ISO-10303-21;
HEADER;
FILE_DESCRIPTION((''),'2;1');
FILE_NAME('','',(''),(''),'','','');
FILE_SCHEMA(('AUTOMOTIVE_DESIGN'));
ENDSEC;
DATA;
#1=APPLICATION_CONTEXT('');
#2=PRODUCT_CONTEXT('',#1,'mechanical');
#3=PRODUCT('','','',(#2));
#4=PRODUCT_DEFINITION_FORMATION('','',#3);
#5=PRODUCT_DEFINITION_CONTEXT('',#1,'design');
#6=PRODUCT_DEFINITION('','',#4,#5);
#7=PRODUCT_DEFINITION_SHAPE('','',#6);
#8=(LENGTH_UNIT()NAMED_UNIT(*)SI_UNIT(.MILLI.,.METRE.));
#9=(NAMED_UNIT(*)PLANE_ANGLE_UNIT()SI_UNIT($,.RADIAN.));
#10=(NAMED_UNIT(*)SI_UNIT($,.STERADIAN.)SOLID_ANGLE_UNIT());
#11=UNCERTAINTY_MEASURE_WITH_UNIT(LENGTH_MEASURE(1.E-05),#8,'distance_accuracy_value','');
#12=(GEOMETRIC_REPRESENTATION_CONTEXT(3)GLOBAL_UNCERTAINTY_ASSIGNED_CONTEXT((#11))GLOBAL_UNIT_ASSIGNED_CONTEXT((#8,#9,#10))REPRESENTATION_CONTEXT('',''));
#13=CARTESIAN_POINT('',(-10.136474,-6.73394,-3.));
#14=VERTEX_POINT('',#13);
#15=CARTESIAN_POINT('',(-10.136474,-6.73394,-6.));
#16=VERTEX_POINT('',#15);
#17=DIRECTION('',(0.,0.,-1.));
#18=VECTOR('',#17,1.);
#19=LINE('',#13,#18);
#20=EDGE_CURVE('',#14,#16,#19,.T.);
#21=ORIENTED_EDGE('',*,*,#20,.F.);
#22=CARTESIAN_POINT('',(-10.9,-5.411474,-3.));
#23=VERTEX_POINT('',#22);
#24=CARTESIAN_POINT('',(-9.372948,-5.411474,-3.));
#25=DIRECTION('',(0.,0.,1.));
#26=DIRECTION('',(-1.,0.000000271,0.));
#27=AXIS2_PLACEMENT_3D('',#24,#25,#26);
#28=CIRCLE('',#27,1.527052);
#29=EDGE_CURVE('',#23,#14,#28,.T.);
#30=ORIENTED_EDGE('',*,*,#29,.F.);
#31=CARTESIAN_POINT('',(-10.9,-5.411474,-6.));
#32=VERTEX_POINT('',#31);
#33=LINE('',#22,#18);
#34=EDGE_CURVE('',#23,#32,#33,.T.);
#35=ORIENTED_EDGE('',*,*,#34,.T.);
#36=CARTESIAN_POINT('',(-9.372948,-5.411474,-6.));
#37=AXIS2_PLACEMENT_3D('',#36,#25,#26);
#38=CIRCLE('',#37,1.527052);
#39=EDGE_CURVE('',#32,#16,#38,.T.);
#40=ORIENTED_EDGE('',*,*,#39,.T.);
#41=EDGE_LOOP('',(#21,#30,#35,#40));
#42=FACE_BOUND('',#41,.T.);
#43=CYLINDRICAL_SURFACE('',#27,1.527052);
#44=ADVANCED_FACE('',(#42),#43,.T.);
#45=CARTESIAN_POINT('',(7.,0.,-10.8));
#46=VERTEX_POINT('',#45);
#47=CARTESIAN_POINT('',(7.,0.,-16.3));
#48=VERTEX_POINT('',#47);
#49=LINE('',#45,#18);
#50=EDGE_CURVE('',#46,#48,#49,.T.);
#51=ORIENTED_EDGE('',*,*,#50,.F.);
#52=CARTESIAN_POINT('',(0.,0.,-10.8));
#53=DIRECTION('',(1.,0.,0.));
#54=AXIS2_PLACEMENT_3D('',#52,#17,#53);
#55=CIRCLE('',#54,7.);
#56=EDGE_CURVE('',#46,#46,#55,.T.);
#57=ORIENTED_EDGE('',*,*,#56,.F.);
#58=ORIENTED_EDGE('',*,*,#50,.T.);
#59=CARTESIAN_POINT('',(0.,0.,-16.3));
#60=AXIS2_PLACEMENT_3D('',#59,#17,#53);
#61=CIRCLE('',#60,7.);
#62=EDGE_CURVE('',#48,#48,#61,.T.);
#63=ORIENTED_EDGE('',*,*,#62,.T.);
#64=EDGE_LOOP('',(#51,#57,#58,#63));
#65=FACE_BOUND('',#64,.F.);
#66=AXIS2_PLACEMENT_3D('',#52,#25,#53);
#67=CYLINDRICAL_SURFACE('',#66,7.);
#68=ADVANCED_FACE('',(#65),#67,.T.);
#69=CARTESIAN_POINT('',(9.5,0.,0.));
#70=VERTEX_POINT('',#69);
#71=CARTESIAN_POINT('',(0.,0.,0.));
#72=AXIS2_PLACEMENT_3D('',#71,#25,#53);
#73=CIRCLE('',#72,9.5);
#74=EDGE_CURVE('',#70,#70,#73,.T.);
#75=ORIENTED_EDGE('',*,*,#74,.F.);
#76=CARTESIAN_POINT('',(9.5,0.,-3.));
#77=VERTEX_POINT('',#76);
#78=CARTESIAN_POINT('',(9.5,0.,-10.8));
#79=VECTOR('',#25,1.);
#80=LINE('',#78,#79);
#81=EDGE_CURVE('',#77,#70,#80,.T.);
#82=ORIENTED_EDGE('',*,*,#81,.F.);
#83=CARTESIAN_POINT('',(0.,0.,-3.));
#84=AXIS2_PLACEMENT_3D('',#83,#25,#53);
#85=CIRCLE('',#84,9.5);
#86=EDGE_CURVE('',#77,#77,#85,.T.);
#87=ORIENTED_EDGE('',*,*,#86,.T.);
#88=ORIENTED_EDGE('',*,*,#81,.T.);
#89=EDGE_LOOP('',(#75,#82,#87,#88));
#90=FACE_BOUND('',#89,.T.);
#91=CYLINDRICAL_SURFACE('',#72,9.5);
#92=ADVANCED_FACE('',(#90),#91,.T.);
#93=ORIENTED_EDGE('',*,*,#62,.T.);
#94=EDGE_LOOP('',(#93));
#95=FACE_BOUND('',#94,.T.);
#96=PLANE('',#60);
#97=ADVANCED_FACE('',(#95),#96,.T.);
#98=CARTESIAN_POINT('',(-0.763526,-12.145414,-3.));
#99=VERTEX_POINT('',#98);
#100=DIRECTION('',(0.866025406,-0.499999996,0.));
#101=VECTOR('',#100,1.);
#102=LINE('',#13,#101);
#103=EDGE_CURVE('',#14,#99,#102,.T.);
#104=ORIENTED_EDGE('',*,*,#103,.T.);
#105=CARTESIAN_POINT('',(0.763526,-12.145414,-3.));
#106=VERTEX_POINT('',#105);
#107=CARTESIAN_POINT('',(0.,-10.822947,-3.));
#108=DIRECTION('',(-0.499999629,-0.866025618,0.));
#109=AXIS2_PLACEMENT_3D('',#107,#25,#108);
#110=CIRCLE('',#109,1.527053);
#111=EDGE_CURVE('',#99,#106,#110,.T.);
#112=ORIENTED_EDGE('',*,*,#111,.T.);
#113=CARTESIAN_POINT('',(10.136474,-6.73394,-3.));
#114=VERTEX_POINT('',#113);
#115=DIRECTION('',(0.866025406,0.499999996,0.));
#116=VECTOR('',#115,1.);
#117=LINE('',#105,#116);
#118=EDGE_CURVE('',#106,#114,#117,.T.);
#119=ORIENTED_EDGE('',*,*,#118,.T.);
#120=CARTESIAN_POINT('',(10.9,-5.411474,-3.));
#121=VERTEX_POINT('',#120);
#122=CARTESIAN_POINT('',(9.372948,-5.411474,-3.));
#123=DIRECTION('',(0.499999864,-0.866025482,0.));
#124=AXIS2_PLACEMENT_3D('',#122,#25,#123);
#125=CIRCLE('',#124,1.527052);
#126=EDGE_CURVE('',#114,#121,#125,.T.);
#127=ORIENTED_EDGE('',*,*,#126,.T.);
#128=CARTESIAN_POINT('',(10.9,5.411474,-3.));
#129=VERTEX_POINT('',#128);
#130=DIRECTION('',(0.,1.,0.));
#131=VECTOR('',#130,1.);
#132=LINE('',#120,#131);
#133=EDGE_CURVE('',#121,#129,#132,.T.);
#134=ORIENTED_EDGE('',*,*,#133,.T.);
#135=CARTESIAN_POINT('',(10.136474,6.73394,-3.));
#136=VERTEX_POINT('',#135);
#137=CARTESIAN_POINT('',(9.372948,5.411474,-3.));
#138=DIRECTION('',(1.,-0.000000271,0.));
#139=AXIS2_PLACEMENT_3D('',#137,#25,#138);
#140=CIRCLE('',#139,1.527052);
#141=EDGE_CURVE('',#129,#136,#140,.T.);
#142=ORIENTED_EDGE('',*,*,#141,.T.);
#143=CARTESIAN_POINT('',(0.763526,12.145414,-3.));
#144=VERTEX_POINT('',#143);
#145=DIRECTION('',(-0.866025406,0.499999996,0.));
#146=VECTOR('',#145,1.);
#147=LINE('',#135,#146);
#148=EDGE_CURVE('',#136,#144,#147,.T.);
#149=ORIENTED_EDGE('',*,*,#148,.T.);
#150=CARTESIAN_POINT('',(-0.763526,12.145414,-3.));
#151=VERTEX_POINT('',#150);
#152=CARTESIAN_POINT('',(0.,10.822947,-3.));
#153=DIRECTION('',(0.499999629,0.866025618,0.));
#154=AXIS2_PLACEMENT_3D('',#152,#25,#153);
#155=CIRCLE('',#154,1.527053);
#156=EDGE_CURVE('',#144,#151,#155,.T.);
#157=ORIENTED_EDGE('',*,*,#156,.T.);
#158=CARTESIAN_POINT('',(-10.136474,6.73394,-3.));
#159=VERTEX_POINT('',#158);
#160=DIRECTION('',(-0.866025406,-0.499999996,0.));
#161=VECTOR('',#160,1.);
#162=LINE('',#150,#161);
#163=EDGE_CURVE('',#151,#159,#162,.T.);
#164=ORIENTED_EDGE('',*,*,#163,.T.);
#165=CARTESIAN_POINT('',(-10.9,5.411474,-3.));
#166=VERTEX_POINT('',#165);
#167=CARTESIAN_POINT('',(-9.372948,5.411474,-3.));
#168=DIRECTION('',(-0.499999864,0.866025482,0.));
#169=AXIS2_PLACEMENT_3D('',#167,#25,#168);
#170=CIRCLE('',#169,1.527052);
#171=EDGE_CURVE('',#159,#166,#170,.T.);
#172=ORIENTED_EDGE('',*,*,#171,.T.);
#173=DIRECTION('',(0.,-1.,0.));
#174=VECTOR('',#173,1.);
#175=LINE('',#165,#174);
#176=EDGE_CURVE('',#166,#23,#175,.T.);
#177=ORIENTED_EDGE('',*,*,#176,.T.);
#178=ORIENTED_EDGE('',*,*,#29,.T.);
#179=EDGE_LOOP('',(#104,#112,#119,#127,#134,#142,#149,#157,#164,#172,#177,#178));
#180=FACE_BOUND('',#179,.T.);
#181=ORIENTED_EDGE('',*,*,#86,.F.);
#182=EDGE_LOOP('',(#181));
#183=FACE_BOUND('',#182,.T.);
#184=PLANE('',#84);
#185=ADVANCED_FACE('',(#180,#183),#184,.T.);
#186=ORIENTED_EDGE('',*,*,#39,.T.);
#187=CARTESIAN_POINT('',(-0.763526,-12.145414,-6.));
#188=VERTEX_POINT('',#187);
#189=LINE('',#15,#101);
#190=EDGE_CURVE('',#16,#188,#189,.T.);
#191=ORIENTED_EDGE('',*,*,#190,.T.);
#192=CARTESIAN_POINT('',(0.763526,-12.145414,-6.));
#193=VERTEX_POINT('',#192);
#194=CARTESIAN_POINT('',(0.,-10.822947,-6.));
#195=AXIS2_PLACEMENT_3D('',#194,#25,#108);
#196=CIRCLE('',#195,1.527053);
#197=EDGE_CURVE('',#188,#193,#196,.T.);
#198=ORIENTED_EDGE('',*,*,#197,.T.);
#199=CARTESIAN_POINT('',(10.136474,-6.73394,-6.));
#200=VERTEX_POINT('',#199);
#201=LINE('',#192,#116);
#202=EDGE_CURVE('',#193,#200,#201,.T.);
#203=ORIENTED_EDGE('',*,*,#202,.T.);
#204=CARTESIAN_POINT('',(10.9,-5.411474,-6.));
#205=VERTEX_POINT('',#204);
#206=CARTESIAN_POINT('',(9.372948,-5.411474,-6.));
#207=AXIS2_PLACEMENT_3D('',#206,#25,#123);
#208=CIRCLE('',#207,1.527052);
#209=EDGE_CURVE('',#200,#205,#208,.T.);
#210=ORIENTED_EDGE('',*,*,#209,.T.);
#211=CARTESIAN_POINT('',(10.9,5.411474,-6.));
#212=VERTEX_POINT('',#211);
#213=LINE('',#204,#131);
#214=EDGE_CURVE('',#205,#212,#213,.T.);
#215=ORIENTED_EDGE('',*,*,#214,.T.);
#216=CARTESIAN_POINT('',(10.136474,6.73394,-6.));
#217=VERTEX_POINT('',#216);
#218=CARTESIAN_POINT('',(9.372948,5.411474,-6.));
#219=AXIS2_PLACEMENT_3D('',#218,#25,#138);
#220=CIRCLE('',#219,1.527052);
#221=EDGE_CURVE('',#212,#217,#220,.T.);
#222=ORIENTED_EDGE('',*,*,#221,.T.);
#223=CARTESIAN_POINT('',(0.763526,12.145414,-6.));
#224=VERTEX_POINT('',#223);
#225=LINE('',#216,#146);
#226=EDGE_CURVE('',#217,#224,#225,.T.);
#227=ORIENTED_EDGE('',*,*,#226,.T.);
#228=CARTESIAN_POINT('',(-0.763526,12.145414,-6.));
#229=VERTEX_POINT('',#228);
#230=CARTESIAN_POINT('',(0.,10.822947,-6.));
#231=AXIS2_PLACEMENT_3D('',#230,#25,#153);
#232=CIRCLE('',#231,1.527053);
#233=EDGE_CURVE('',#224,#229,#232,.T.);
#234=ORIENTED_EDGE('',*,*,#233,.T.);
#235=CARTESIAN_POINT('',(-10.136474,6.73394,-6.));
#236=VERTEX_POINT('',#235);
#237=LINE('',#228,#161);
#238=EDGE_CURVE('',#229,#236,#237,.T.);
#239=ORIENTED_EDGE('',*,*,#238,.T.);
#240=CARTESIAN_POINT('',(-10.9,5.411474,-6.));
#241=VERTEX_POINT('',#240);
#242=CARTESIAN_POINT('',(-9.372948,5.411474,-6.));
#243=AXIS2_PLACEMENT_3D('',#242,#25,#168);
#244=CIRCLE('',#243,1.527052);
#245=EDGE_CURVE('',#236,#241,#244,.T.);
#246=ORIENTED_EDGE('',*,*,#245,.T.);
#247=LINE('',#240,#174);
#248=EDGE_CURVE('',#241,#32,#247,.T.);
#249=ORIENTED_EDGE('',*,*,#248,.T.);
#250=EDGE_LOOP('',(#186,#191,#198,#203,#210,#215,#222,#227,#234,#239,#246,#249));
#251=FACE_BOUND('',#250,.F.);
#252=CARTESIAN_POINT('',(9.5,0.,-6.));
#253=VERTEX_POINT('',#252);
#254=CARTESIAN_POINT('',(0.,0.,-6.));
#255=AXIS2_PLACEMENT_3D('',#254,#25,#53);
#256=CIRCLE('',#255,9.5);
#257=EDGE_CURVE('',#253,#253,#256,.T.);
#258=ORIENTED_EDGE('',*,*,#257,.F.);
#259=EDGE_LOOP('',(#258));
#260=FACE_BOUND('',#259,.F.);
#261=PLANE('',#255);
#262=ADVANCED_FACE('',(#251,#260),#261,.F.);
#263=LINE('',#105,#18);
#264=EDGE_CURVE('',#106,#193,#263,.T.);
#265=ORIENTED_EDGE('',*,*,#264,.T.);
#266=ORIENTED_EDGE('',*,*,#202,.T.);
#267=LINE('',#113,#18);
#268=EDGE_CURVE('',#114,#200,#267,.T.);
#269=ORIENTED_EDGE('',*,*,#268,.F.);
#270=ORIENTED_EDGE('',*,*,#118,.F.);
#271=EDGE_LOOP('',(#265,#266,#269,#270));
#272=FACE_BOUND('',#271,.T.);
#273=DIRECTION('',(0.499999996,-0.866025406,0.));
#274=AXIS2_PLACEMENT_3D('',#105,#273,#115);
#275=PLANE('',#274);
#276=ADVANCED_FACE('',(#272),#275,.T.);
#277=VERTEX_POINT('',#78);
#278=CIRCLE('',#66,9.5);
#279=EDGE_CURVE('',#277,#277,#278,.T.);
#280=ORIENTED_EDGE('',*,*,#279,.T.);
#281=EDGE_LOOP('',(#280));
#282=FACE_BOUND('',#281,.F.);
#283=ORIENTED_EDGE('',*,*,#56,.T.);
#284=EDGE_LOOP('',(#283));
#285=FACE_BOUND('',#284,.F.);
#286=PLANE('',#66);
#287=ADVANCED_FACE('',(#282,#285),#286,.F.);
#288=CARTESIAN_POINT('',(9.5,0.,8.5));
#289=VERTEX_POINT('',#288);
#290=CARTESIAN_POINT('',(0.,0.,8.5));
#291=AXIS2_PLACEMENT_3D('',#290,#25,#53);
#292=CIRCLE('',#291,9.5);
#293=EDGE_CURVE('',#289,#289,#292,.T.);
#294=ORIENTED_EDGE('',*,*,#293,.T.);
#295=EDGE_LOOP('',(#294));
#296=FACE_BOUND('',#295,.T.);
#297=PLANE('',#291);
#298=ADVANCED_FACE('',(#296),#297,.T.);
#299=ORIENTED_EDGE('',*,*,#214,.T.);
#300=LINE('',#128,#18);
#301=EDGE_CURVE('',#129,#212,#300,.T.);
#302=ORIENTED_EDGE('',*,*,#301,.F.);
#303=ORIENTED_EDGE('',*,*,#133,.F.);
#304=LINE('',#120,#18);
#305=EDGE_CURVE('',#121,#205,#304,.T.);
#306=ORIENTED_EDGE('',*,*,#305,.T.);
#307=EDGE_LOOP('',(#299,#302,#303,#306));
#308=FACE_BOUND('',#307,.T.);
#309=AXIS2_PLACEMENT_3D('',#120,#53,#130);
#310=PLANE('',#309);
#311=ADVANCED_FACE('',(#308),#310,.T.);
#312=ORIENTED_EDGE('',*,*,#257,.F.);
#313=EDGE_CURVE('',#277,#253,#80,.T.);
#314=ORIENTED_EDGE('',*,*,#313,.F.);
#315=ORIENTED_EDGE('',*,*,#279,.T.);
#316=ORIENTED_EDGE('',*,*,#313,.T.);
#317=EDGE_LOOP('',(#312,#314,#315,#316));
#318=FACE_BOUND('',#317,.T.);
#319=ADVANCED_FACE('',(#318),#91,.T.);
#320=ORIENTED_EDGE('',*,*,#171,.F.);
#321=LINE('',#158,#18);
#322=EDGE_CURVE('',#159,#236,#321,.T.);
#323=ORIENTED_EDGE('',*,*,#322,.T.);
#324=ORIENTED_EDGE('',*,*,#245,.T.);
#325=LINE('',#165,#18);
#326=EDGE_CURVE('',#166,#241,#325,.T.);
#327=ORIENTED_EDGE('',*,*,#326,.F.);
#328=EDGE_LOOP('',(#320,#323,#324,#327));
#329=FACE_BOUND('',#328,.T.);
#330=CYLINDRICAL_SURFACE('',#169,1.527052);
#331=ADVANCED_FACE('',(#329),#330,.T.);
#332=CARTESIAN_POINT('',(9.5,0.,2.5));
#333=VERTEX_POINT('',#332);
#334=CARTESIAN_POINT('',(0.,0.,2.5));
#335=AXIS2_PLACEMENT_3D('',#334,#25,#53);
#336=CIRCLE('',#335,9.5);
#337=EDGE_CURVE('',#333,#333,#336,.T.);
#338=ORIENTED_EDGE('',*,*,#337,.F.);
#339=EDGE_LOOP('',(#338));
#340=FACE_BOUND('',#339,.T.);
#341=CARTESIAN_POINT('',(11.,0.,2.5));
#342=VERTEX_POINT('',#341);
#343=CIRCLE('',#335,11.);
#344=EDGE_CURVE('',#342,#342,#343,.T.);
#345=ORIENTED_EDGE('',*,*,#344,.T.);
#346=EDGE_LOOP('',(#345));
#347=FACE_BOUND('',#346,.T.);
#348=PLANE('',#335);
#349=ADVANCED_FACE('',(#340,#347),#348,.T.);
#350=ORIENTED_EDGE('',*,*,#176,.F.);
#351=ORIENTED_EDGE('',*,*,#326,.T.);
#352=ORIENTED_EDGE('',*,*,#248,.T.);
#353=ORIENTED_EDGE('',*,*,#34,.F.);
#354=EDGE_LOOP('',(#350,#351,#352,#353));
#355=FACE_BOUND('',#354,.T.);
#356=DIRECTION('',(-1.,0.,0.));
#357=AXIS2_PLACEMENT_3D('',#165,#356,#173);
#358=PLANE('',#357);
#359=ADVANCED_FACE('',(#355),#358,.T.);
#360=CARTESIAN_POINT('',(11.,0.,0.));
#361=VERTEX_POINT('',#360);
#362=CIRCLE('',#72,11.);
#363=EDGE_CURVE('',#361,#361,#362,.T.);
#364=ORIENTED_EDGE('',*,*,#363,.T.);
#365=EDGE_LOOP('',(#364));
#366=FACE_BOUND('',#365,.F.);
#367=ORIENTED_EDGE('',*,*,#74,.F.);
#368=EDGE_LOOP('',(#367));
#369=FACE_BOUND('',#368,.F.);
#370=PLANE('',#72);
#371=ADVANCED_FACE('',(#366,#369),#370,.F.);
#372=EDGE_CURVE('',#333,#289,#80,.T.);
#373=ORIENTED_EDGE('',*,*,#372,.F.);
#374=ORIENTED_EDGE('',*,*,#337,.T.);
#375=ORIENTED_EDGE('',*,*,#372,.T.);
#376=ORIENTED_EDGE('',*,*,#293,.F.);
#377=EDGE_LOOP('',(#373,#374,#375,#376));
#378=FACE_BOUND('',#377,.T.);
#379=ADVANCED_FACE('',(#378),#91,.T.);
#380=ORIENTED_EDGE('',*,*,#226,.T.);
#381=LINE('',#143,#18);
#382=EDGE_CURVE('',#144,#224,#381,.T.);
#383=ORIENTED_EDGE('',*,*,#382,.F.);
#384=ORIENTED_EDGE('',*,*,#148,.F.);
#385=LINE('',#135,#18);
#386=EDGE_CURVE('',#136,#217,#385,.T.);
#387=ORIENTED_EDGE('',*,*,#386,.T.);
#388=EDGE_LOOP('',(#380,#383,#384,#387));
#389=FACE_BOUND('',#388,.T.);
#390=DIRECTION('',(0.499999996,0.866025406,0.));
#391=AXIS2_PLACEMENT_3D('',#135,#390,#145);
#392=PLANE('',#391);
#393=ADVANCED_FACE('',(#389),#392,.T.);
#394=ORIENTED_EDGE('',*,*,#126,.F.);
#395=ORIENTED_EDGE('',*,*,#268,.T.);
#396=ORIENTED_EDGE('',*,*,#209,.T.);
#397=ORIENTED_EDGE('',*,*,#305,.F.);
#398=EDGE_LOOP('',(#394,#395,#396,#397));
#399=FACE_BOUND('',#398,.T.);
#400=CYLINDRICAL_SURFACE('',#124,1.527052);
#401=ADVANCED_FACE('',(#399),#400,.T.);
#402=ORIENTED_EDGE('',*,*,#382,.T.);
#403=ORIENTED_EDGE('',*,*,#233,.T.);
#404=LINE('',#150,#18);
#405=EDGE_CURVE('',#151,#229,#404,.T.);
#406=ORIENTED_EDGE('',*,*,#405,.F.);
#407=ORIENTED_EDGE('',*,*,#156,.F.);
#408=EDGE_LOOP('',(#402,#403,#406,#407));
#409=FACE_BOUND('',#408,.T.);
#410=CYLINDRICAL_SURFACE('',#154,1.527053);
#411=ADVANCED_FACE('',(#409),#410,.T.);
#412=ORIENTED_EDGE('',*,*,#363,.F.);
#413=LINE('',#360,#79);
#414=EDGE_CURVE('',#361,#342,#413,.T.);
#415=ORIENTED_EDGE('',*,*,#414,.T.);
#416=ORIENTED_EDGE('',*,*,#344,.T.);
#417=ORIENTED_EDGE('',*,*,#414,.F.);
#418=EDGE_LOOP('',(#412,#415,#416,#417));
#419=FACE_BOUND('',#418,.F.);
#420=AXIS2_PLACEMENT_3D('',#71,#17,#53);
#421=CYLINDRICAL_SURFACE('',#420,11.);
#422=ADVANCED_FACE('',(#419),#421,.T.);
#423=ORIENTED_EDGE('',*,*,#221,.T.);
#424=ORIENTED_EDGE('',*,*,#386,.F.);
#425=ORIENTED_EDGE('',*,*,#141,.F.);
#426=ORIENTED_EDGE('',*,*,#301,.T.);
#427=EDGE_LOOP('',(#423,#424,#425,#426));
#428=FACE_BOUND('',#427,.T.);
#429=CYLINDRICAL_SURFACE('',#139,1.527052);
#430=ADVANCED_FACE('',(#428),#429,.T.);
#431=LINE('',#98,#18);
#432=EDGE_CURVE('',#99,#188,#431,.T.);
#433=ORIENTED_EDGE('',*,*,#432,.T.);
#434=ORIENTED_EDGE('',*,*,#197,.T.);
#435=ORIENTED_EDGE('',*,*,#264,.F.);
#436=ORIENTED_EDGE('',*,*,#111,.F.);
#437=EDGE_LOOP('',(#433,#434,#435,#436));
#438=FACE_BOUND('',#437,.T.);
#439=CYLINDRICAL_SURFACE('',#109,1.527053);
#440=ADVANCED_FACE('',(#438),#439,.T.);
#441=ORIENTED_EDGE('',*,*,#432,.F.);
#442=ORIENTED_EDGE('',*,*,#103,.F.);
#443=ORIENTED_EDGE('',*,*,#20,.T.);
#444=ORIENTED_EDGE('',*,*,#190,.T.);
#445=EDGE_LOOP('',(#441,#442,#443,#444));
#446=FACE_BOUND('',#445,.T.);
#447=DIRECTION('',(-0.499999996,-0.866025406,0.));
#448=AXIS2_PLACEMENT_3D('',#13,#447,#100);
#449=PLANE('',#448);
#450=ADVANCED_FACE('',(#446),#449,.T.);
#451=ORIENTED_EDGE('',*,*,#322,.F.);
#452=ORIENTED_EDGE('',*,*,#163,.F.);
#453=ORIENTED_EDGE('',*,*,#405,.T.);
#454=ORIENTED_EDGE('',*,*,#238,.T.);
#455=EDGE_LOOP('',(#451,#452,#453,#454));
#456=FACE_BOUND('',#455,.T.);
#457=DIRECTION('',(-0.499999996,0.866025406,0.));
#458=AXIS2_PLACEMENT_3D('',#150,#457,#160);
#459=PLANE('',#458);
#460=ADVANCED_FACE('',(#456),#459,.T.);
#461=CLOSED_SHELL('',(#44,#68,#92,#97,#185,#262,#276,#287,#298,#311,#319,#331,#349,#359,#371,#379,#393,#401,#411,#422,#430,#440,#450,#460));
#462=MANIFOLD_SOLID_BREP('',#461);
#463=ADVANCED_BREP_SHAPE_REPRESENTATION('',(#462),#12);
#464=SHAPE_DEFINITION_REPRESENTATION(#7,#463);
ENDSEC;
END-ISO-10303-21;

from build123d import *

# Parameters (mm, degrees)
F0_R          = 9.5
F1_DEPTH      = 8.5
F1_DEPTH_BACK = 10.8
F2_R          = 11
F3_DEPTH      = 2.5
F6_DEPTH      = 3
F7_R          = 7
F8_DEPTH      = 5.5


with BuildPart() as f1:
    # F0 (on Top) → F1 (new body, two sides)
    with BuildSketch(Plane.XY) as f1_sk:
        Circle(F0_R)
    extrude(amount=F1_DEPTH)
    extrude(f1_sk.sketch, amount=-F1_DEPTH_BACK)

    # F2 (on Top) → F3 (join)
    with BuildSketch(Plane.XY):
        Circle(F2_R)
    extrude(amount=F3_DEPTH)

    # F5 (on offset) → F6 (join)
    with BuildSketch(Plane.XY.offset(-3)):
        with BuildLine():
            Line((10.136474, 6.73394), (0.763526, 12.145414))
            ThreePointArc((0.763526, 12.145414), (0, 12.35), (-0.763526, 12.145414))
            Line((-0.763526, 12.145414), (-10.136474, 6.73394))
            ThreePointArc((-10.136474, 6.73394), (-10.695414, 6.175), (-10.9, 5.411474))
            Line((-10.9, 5.411474), (-10.9, -5.411474))
            ThreePointArc((-10.9, -5.411474), (-10.695414, -6.175), (-10.136474, -6.73394))
            Line((-10.136474, -6.73394), (-0.763526, -12.145414))
            ThreePointArc((-0.763526, -12.145414), (0, -12.35), (0.763526, -12.145414))
            Line((0.763526, -12.145414), (10.136474, -6.73394))
            ThreePointArc((10.136474, -6.73394), (10.695414, -6.175), (10.9, -5.411474))
            Line((10.9, -5.411474), (10.9, 5.411474))
            ThreePointArc((10.9, 5.411474), (10.695414, 6.175), (10.136474, 6.73394))
        make_face()
    extrude(amount=-F6_DEPTH)

    # F7 (on face) → F8 (join)
    with BuildSketch(Plane(origin=(0, 0, -10.8), x_dir=(1, 0, 0), z_dir=(0, 0, -1))):
        Circle(F7_R)
    extrude(amount=F8_DEPTH)


solid = f1.part
